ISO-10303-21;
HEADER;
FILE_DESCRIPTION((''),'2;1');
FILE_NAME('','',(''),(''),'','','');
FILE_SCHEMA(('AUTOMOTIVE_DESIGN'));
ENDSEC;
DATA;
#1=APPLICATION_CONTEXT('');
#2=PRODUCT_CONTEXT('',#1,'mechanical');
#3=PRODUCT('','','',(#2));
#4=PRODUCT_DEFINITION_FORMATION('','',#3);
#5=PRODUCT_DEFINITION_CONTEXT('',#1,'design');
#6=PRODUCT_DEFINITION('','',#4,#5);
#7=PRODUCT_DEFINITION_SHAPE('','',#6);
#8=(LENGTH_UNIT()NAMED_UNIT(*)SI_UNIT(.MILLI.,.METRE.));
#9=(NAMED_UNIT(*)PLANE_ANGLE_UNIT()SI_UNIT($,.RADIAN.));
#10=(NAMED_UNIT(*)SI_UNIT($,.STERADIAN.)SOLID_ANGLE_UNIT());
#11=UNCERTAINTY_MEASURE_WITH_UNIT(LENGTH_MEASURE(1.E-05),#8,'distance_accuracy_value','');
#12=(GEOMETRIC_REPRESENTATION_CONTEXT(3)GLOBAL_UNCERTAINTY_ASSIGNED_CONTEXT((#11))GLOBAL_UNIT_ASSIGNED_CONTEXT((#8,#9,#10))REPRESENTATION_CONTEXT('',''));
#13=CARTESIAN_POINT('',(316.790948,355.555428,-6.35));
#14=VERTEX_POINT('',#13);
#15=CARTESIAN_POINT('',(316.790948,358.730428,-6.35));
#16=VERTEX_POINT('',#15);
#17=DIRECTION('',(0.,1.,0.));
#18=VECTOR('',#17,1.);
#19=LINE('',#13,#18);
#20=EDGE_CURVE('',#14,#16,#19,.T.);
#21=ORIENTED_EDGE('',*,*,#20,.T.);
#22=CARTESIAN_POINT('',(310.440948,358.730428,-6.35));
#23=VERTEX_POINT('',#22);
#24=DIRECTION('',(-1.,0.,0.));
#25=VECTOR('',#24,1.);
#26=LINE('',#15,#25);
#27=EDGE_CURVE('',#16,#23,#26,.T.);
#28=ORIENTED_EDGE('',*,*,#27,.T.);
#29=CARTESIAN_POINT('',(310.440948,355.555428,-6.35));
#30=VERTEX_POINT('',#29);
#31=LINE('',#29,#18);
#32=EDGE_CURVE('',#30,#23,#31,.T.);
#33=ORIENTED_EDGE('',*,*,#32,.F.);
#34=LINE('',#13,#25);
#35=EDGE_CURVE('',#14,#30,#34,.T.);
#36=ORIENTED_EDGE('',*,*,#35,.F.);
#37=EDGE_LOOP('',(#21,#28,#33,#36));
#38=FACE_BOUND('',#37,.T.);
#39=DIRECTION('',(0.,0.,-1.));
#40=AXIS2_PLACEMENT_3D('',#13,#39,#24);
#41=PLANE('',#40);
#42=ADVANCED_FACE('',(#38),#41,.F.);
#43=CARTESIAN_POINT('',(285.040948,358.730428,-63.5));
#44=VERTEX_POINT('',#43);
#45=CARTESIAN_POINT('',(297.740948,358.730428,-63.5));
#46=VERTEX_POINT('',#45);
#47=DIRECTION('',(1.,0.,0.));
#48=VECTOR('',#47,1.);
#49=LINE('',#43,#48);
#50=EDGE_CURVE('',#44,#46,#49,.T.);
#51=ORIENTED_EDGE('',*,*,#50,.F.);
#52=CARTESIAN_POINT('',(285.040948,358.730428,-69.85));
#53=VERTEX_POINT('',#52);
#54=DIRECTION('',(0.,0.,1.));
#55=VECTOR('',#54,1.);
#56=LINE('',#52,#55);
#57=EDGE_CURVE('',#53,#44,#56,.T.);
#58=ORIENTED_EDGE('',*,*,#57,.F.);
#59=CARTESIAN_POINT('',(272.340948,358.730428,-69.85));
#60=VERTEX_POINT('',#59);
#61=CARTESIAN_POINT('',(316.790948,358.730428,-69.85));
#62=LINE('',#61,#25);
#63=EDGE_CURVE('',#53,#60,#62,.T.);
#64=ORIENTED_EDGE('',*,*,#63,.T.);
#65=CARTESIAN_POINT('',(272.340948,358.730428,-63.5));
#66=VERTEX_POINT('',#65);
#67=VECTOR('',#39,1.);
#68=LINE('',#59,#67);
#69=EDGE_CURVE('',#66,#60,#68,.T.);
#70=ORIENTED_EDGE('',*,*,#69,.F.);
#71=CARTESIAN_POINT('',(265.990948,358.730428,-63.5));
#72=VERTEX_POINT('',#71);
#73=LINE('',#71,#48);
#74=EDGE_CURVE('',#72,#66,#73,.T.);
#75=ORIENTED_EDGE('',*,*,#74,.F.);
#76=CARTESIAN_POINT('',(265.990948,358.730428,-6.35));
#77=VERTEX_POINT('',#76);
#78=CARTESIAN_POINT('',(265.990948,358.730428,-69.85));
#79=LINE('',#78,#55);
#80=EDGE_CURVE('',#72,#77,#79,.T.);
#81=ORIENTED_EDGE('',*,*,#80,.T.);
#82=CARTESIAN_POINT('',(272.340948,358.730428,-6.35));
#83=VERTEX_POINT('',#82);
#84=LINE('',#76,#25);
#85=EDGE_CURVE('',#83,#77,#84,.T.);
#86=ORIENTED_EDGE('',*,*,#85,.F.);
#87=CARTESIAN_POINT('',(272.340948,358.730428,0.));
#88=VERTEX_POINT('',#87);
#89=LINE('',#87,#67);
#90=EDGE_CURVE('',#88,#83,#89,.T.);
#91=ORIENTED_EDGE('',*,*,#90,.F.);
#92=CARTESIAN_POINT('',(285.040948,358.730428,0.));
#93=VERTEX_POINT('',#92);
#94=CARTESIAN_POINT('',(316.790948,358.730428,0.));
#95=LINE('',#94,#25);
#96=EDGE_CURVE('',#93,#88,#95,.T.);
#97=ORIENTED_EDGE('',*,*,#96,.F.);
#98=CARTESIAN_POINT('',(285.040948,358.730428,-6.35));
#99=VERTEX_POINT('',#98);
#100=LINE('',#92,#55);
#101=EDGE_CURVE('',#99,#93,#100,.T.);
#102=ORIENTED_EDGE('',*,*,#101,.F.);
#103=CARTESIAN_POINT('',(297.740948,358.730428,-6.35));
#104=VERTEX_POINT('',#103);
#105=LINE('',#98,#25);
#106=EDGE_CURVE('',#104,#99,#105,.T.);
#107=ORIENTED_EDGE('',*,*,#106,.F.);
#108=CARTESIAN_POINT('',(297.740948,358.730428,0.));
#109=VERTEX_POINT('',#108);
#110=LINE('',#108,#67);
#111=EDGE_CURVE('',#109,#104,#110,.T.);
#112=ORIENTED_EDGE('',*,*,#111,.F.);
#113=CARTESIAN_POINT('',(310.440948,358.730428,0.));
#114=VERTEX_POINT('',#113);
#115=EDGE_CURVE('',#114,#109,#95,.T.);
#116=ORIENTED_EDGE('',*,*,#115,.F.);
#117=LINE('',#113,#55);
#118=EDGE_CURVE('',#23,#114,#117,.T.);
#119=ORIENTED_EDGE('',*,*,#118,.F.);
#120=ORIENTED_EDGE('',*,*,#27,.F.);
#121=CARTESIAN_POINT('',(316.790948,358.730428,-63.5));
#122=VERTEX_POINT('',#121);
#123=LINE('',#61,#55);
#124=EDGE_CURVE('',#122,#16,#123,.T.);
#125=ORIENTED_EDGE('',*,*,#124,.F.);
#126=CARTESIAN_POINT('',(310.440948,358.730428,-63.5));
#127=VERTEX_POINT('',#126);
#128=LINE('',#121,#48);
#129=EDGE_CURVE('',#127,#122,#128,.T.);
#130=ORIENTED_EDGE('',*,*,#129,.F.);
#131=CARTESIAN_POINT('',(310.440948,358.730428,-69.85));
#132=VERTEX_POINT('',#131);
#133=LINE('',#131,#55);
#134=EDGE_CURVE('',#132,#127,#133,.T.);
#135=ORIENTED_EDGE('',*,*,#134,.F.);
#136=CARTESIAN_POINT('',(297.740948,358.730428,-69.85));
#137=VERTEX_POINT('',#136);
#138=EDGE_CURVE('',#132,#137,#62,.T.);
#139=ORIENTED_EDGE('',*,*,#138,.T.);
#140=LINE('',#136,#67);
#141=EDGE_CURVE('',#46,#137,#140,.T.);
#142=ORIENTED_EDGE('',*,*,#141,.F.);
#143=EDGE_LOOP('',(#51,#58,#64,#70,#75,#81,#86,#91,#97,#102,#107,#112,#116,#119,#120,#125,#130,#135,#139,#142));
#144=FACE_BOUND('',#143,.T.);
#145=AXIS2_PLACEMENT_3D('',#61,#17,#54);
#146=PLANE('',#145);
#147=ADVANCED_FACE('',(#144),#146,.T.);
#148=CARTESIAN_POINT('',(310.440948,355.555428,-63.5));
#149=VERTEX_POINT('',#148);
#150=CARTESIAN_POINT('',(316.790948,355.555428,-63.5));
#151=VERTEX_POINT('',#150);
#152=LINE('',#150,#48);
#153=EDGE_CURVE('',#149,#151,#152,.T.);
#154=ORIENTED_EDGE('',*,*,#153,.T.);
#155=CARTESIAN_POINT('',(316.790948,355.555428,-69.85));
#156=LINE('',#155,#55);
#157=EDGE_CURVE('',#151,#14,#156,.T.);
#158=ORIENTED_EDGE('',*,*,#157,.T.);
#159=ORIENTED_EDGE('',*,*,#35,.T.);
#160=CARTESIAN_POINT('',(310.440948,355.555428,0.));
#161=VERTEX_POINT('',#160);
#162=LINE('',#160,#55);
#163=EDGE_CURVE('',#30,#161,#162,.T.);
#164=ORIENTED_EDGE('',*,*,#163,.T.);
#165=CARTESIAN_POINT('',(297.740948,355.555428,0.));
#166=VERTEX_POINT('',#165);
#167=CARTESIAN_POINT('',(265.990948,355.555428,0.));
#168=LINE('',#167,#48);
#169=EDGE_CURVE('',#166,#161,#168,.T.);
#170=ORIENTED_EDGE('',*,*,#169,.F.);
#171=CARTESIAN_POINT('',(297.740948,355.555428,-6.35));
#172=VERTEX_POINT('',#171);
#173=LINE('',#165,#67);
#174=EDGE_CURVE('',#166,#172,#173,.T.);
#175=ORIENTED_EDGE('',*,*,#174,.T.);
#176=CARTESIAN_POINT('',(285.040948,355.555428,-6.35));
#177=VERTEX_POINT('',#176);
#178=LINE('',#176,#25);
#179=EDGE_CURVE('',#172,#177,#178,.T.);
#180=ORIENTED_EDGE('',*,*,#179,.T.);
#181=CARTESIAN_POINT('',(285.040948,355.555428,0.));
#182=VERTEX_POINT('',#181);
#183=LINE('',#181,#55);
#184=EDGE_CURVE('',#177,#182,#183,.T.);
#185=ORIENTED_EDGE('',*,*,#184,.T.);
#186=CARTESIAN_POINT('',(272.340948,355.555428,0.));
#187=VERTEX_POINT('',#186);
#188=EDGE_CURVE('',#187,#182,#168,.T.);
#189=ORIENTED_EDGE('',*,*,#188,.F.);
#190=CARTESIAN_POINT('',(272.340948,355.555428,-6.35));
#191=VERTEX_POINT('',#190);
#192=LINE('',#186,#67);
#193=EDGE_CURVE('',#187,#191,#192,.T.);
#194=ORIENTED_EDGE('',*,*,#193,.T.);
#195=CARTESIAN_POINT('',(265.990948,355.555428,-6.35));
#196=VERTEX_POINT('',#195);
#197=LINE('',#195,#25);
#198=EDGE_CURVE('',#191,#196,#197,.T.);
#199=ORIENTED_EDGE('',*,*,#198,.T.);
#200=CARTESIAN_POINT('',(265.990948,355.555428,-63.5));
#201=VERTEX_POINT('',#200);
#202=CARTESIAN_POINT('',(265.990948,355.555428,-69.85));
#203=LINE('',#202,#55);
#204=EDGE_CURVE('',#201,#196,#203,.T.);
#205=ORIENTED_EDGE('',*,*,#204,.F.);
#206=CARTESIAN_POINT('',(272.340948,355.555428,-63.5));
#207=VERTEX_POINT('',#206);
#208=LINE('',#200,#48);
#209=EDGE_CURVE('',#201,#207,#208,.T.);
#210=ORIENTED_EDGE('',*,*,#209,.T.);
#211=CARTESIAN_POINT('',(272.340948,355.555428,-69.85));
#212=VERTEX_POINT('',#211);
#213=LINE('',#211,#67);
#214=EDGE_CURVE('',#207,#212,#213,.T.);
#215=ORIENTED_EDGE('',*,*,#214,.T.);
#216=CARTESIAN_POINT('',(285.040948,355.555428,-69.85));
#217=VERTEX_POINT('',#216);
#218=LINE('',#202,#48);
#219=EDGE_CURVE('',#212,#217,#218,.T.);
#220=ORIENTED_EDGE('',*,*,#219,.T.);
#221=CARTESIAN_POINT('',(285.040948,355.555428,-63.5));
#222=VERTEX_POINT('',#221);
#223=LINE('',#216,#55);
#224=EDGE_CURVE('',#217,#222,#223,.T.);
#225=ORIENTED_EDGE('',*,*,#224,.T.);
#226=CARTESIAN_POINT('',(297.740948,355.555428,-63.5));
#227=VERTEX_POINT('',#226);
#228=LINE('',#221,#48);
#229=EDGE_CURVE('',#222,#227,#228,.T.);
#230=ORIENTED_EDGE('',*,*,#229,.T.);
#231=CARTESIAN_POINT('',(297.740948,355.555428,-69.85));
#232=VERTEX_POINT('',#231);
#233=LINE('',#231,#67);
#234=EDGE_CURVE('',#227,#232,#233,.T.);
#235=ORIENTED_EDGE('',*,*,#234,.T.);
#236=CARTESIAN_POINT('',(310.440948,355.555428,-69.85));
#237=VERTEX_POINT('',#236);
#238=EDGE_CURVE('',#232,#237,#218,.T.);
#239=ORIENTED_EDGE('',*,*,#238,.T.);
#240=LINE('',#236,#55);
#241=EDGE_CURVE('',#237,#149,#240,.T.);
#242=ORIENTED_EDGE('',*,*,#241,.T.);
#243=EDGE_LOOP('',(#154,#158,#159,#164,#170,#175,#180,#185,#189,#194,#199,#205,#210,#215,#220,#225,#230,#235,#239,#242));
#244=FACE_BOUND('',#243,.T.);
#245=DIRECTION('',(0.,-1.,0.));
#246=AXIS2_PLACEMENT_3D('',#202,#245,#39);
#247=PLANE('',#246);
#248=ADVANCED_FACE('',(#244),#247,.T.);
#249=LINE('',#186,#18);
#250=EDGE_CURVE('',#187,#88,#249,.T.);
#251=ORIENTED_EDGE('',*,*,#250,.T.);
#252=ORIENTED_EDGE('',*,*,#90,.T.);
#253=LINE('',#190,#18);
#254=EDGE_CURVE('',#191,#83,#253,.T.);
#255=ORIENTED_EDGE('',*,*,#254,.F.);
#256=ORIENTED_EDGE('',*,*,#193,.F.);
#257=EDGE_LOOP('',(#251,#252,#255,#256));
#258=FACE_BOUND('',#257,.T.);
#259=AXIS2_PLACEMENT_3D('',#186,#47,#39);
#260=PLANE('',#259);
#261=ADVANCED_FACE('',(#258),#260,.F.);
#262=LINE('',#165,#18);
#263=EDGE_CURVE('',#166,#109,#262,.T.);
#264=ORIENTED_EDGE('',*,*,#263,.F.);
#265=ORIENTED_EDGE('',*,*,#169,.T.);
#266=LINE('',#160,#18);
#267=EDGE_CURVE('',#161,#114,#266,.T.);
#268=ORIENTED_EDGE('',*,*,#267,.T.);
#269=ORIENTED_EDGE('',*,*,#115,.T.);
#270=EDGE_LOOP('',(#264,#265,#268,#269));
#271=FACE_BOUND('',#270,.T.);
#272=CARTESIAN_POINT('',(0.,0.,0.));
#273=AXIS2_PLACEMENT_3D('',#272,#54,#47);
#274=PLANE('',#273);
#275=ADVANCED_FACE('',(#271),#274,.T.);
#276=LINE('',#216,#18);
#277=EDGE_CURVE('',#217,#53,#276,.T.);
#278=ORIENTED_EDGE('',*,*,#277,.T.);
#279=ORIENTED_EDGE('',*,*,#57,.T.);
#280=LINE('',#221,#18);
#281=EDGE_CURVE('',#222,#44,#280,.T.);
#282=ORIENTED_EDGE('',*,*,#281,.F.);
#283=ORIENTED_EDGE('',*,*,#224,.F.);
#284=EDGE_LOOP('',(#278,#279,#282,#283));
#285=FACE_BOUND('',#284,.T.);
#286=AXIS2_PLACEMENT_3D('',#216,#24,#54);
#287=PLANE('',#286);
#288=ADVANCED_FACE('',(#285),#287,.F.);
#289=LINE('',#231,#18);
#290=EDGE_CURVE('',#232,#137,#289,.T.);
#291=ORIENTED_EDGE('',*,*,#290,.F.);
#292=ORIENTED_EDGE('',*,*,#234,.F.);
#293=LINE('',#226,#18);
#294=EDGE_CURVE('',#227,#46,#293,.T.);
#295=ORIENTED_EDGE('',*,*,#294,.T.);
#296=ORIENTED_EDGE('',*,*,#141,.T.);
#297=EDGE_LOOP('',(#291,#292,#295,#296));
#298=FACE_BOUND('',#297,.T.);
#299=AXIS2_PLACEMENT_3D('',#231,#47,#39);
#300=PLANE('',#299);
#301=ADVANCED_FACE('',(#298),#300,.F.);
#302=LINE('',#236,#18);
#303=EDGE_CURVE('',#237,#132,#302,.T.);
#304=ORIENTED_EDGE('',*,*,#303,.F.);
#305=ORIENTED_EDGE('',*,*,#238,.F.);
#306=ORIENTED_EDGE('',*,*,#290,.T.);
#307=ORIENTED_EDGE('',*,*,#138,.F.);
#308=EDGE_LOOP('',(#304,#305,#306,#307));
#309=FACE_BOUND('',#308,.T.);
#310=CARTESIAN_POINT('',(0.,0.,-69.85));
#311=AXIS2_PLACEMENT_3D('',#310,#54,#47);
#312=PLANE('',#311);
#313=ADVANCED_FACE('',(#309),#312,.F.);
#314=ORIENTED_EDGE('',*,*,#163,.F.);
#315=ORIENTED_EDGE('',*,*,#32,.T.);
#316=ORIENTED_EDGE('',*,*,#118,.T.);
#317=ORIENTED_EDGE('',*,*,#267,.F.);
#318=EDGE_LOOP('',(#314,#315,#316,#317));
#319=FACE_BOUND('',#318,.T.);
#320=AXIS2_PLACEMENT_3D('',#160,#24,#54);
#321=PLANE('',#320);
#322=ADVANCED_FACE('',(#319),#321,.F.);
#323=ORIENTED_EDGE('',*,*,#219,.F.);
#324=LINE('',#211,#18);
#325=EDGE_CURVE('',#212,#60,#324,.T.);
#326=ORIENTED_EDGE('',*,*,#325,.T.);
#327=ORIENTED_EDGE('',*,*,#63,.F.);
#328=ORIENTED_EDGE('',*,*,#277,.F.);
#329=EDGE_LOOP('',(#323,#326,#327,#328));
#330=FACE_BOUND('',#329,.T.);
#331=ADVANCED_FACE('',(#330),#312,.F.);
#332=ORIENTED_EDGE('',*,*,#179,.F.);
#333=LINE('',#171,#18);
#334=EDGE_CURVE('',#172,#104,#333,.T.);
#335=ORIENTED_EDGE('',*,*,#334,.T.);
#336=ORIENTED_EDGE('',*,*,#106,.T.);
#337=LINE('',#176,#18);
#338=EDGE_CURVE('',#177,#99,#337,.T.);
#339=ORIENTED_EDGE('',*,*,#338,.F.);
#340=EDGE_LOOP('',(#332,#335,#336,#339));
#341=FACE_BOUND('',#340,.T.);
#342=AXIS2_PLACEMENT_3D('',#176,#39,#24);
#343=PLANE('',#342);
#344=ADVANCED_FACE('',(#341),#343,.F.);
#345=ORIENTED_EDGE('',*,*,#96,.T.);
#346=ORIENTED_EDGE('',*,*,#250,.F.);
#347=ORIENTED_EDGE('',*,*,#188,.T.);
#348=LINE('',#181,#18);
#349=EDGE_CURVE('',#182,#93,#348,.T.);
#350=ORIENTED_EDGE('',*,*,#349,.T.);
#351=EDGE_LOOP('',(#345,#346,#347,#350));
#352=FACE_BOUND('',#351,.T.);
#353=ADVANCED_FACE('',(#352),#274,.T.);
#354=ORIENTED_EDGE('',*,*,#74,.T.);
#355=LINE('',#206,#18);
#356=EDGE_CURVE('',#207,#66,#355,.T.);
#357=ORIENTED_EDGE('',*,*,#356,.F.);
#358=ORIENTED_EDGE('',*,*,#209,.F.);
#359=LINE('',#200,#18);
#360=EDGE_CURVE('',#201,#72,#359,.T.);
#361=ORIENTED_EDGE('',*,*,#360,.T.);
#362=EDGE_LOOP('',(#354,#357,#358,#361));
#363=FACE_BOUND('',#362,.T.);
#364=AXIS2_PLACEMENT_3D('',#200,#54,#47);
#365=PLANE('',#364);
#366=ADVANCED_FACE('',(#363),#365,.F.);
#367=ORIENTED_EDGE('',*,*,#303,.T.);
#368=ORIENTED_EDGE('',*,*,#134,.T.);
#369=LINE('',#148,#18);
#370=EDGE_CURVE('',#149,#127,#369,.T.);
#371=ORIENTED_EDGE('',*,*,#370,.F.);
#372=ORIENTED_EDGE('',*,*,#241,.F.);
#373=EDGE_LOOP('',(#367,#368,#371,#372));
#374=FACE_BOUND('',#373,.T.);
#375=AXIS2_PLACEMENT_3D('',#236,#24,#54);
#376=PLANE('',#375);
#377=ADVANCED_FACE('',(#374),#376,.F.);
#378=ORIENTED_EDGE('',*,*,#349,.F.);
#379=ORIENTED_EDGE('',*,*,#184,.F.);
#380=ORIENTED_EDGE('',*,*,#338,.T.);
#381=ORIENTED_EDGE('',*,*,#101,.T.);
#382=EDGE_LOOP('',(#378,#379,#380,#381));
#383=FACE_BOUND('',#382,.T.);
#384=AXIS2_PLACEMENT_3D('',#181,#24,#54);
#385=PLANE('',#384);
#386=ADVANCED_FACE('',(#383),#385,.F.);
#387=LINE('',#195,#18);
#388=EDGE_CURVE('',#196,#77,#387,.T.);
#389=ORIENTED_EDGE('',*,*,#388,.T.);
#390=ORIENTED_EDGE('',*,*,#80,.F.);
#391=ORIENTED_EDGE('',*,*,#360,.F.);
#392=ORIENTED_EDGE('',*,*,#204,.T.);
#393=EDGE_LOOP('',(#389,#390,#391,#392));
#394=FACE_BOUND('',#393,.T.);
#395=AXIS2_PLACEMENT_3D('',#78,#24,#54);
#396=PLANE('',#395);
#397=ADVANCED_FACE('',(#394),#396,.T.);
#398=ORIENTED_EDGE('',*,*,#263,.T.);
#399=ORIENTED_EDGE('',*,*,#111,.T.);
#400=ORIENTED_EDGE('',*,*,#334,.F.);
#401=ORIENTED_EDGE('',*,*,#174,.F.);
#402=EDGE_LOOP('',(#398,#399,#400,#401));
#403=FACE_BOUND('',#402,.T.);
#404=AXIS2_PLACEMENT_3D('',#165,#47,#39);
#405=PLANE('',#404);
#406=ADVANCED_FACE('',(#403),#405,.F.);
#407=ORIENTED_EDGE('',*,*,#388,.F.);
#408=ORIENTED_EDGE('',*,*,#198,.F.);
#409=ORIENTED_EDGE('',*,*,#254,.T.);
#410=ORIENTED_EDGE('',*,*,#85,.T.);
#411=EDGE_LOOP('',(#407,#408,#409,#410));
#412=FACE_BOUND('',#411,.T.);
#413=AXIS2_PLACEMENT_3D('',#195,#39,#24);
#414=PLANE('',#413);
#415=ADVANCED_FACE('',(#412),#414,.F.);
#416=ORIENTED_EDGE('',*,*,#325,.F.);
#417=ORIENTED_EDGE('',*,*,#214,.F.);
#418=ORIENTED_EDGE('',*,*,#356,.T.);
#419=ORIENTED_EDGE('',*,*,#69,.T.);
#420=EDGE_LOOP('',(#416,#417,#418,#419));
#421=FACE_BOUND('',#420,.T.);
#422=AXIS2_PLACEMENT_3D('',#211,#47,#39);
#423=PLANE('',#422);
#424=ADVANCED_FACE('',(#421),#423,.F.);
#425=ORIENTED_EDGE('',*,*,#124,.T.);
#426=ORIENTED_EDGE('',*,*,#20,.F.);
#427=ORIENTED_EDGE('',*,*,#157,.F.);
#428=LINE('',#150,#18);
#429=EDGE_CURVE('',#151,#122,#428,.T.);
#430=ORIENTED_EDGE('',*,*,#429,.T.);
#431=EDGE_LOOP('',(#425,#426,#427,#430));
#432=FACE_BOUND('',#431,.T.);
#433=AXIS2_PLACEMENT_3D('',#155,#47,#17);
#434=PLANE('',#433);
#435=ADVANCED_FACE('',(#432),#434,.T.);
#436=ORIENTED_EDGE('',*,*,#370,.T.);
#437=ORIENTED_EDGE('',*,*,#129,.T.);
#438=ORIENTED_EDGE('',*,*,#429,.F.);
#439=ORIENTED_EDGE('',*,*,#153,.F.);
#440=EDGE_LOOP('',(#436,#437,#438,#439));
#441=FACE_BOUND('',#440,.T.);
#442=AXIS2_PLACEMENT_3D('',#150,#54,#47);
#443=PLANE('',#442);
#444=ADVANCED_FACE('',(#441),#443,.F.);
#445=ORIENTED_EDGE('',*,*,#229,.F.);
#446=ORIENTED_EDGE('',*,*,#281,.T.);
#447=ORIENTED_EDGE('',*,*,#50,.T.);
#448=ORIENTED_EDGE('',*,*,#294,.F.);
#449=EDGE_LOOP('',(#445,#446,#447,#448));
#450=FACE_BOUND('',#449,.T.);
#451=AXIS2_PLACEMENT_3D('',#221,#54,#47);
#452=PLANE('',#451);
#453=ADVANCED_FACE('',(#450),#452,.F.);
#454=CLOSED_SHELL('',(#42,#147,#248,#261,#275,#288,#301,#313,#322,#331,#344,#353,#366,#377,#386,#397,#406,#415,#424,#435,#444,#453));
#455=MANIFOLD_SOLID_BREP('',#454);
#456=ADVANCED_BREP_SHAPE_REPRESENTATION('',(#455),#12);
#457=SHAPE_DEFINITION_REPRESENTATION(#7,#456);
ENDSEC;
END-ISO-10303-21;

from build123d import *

# Parameters (mm, degrees)
SKETCH1_W           = 50.8
SKETCH1_H           = 3.175
BOSS_EXTRUDE1_DEPTH = 69.85
SKETCH2_W           = 6.35
SKETCH2_H           = 6.35
SKETCH2_W_2         = 12.7
CUT_EXTRUDE1_DEPTH  = 325.41579514


with BuildPart() as part:
    # Sketch1 → Boss-Extrude1 (new body)
    with BuildSketch(Plane.XY):
        with Locations((291.390948437, 357.142928402)):
            Rectangle(SKETCH1_W, SKETCH1_H)
    extrude(amount=-BOSS_EXTRUDE1_DEPTH)

    # Sketch2 → Cut-Extrude1 (cut, through all)
    with BuildSketch(Plane(origin=(0, 358.730428402, 0), x_dir=(1, 0, 0), z_dir=(0, 1, 0))):
        with Locations((269.165948437, 66.675)):
            Rectangle(SKETCH2_W, SKETCH2_H)
        with Locations((313.615948437, 66.675)):
            Rectangle(SKETCH2_W, SKETCH2_H)
        with Locations((291.390948437, 66.675)):
            Rectangle(SKETCH2_W_2, SKETCH2_H)
        with Locations((269.165948437, 3.175)):
            Rectangle(SKETCH2_W, SKETCH2_H)
        with Locations((291.390948437, 3.175)):
            Rectangle(SKETCH2_W_2, SKETCH2_H)
        with Locations((313.615948437, 3.175)):
            Rectangle(SKETCH2_W, SKETCH2_H)
    extrude(amount=-CUT_EXTRUDE1_DEPTH, mode=Mode.SUBTRACT)


solid = part.part
